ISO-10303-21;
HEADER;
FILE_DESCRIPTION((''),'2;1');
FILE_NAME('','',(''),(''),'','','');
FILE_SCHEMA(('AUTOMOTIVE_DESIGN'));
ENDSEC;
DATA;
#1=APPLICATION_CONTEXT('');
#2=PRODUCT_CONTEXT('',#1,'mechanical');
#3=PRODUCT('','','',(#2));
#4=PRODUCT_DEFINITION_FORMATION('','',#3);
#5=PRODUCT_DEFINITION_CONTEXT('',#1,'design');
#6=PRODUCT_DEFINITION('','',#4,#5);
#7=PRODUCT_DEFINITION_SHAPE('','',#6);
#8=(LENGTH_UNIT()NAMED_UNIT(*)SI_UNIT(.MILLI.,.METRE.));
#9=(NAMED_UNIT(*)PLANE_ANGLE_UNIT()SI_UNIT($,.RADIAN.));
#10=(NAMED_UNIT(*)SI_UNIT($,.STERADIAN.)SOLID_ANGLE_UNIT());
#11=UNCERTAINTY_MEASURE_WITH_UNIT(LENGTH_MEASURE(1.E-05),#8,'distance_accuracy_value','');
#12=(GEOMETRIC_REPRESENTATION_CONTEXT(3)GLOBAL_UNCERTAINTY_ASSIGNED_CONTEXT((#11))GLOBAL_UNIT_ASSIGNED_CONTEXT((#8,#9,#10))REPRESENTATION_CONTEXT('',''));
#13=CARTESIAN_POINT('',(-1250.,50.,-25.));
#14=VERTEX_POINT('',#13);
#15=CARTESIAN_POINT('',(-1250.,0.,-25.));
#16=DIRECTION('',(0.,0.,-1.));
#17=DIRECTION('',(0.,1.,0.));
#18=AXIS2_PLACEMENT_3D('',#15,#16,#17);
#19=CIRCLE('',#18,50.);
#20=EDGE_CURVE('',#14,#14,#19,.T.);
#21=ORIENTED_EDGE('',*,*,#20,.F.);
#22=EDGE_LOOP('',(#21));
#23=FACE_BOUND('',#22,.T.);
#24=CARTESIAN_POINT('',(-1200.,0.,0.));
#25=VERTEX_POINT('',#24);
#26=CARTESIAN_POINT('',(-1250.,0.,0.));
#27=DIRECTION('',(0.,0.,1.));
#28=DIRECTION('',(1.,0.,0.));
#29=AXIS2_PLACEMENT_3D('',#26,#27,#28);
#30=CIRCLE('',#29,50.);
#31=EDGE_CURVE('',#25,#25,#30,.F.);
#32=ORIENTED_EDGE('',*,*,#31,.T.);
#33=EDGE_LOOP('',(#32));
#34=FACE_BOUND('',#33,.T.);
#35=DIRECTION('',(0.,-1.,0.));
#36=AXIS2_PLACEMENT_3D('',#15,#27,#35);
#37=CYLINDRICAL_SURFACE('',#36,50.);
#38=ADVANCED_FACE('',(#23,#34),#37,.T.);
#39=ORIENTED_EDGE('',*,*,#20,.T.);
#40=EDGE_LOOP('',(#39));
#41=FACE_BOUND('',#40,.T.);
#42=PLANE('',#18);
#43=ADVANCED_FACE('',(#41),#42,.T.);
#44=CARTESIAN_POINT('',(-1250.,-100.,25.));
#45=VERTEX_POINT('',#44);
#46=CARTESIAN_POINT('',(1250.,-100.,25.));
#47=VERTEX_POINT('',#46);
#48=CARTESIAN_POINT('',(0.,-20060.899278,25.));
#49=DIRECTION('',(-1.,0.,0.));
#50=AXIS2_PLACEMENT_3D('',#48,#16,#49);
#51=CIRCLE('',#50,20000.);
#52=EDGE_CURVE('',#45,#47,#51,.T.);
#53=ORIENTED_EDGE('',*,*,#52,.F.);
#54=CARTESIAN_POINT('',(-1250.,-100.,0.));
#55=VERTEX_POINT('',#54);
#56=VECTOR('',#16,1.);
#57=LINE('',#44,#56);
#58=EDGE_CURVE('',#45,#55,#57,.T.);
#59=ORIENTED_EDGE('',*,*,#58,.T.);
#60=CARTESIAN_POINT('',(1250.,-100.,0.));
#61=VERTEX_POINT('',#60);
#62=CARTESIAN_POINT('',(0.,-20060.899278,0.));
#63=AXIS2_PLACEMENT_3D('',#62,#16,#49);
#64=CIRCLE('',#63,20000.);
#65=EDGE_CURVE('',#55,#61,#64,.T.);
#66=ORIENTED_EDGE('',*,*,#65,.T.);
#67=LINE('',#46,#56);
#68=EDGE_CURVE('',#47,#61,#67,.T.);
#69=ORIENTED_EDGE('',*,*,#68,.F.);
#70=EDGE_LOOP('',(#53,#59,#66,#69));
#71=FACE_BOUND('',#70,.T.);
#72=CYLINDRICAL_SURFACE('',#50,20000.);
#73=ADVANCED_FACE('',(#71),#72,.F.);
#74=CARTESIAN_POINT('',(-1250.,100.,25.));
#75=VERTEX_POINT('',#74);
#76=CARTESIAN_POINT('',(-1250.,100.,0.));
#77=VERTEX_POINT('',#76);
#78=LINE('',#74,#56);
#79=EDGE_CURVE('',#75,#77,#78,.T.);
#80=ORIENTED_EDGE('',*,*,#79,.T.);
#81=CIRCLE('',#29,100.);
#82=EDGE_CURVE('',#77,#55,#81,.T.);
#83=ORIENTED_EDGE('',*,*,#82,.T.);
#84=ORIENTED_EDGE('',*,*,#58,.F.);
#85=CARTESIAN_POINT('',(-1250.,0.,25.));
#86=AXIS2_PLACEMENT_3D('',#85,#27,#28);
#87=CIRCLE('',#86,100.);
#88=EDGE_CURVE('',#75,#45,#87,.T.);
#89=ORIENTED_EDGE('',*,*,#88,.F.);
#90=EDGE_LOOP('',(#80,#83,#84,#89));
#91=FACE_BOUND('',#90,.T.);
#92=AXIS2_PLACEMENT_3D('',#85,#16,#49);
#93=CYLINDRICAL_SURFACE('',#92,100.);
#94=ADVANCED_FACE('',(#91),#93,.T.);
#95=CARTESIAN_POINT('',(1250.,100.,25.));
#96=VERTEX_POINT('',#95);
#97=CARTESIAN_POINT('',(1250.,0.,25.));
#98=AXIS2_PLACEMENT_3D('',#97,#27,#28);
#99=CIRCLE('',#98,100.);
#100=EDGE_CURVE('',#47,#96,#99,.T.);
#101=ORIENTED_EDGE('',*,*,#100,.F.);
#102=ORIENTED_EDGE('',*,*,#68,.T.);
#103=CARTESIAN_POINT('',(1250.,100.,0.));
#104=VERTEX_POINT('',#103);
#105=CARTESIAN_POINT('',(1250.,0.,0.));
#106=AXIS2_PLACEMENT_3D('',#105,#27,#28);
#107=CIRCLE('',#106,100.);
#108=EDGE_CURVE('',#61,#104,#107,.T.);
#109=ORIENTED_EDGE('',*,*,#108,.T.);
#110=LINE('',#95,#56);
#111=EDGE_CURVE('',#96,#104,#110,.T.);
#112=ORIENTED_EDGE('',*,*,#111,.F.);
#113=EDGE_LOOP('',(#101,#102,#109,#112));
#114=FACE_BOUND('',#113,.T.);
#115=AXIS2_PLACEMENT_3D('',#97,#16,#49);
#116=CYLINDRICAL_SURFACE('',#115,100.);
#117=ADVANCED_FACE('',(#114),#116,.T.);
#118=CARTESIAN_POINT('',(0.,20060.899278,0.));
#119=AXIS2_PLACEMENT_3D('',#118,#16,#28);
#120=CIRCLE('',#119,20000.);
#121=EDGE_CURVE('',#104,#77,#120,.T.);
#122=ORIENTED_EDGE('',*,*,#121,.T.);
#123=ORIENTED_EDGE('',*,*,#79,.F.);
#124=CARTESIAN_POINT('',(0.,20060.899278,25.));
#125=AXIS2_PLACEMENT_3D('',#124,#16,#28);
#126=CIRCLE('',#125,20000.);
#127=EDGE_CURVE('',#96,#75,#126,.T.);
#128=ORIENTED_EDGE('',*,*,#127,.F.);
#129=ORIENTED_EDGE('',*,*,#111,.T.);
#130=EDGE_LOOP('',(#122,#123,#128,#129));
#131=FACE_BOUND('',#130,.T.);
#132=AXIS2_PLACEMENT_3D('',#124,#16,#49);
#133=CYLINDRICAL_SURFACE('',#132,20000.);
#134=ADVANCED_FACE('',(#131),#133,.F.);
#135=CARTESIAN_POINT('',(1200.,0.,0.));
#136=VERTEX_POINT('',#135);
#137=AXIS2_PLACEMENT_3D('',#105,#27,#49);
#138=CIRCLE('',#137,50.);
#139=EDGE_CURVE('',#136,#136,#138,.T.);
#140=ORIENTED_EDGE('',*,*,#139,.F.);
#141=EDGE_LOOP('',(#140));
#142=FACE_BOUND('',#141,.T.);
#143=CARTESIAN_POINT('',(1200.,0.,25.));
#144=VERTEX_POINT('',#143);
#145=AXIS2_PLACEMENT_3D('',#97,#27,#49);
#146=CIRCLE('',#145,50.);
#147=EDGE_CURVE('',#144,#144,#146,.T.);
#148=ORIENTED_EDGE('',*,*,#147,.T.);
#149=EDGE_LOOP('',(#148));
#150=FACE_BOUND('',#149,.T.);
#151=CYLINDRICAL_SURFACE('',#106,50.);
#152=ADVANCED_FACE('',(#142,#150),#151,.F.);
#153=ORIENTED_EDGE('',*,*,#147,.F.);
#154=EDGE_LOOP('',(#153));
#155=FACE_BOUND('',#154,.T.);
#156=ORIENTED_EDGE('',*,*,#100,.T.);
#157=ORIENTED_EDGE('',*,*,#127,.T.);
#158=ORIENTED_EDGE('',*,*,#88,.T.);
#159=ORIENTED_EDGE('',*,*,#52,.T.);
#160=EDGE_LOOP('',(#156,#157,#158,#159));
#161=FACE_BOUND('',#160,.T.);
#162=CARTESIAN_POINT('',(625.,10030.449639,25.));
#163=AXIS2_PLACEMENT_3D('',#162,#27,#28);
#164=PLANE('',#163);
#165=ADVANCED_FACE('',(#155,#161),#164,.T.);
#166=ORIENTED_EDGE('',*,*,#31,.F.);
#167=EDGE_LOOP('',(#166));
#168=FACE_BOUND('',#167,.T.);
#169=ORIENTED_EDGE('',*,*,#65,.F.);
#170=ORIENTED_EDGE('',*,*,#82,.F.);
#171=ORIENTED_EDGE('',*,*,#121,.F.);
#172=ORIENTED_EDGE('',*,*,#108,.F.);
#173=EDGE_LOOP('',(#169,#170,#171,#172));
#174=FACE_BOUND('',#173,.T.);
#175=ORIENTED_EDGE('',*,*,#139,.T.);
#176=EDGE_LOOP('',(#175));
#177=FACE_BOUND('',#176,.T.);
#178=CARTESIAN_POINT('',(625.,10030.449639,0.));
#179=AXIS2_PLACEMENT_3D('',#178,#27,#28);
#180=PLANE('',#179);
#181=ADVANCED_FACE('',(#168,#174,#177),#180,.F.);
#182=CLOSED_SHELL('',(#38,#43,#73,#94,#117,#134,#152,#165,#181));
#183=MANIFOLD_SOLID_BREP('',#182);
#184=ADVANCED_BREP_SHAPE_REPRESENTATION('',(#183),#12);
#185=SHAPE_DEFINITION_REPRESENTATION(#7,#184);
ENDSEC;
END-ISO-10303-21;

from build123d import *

# Parameters (mm, degrees)
BOSS_EXTRUDE1_DEPTH = 25
SKETCH2_R           = 50
BOSS_EXTRUDE2_DEPTH = 25
SKETCH3_R           = 50
CUT_EXTRUDE2_DEPTH  = 25


with BuildPart() as part:
    # Sketch1 → Boss-Extrude1 (new body)
    with BuildSketch(Plane.XY):
        with BuildLine():
            ThreePointArc((-1250, 100), (-1350, 0), (-1250, -100))
            ThreePointArc((-1250, -100), (0, -60.899278339), (1250, -100))
            ThreePointArc((1250, -100), (1350, 0), (1250, 100))
            ThreePointArc((1250, 100), (0, 60.899278339), (-1250, 100))
        make_face()
    extrude(amount=BOSS_EXTRUDE1_DEPTH)

    # Sketch2 → Boss-Extrude2 (add)
    with BuildSketch(Plane(origin=(0, 0, 0), x_dir=(1, 0, 0), z_dir=(0, 0, -1))):
        with Locations((-1250, 0)):
            Circle(SKETCH2_R)
    extrude(amount=BOSS_EXTRUDE2_DEPTH)

    # Sketch3 → Cut-Extrude2 (cut)
    with BuildSketch(Plane.XY.offset(25)):
        with Locations((1250, 0)):
            Circle(SKETCH3_R)
    extrude(amount=-CUT_EXTRUDE2_DEPTH, mode=Mode.SUBTRACT)


solid = part.part
